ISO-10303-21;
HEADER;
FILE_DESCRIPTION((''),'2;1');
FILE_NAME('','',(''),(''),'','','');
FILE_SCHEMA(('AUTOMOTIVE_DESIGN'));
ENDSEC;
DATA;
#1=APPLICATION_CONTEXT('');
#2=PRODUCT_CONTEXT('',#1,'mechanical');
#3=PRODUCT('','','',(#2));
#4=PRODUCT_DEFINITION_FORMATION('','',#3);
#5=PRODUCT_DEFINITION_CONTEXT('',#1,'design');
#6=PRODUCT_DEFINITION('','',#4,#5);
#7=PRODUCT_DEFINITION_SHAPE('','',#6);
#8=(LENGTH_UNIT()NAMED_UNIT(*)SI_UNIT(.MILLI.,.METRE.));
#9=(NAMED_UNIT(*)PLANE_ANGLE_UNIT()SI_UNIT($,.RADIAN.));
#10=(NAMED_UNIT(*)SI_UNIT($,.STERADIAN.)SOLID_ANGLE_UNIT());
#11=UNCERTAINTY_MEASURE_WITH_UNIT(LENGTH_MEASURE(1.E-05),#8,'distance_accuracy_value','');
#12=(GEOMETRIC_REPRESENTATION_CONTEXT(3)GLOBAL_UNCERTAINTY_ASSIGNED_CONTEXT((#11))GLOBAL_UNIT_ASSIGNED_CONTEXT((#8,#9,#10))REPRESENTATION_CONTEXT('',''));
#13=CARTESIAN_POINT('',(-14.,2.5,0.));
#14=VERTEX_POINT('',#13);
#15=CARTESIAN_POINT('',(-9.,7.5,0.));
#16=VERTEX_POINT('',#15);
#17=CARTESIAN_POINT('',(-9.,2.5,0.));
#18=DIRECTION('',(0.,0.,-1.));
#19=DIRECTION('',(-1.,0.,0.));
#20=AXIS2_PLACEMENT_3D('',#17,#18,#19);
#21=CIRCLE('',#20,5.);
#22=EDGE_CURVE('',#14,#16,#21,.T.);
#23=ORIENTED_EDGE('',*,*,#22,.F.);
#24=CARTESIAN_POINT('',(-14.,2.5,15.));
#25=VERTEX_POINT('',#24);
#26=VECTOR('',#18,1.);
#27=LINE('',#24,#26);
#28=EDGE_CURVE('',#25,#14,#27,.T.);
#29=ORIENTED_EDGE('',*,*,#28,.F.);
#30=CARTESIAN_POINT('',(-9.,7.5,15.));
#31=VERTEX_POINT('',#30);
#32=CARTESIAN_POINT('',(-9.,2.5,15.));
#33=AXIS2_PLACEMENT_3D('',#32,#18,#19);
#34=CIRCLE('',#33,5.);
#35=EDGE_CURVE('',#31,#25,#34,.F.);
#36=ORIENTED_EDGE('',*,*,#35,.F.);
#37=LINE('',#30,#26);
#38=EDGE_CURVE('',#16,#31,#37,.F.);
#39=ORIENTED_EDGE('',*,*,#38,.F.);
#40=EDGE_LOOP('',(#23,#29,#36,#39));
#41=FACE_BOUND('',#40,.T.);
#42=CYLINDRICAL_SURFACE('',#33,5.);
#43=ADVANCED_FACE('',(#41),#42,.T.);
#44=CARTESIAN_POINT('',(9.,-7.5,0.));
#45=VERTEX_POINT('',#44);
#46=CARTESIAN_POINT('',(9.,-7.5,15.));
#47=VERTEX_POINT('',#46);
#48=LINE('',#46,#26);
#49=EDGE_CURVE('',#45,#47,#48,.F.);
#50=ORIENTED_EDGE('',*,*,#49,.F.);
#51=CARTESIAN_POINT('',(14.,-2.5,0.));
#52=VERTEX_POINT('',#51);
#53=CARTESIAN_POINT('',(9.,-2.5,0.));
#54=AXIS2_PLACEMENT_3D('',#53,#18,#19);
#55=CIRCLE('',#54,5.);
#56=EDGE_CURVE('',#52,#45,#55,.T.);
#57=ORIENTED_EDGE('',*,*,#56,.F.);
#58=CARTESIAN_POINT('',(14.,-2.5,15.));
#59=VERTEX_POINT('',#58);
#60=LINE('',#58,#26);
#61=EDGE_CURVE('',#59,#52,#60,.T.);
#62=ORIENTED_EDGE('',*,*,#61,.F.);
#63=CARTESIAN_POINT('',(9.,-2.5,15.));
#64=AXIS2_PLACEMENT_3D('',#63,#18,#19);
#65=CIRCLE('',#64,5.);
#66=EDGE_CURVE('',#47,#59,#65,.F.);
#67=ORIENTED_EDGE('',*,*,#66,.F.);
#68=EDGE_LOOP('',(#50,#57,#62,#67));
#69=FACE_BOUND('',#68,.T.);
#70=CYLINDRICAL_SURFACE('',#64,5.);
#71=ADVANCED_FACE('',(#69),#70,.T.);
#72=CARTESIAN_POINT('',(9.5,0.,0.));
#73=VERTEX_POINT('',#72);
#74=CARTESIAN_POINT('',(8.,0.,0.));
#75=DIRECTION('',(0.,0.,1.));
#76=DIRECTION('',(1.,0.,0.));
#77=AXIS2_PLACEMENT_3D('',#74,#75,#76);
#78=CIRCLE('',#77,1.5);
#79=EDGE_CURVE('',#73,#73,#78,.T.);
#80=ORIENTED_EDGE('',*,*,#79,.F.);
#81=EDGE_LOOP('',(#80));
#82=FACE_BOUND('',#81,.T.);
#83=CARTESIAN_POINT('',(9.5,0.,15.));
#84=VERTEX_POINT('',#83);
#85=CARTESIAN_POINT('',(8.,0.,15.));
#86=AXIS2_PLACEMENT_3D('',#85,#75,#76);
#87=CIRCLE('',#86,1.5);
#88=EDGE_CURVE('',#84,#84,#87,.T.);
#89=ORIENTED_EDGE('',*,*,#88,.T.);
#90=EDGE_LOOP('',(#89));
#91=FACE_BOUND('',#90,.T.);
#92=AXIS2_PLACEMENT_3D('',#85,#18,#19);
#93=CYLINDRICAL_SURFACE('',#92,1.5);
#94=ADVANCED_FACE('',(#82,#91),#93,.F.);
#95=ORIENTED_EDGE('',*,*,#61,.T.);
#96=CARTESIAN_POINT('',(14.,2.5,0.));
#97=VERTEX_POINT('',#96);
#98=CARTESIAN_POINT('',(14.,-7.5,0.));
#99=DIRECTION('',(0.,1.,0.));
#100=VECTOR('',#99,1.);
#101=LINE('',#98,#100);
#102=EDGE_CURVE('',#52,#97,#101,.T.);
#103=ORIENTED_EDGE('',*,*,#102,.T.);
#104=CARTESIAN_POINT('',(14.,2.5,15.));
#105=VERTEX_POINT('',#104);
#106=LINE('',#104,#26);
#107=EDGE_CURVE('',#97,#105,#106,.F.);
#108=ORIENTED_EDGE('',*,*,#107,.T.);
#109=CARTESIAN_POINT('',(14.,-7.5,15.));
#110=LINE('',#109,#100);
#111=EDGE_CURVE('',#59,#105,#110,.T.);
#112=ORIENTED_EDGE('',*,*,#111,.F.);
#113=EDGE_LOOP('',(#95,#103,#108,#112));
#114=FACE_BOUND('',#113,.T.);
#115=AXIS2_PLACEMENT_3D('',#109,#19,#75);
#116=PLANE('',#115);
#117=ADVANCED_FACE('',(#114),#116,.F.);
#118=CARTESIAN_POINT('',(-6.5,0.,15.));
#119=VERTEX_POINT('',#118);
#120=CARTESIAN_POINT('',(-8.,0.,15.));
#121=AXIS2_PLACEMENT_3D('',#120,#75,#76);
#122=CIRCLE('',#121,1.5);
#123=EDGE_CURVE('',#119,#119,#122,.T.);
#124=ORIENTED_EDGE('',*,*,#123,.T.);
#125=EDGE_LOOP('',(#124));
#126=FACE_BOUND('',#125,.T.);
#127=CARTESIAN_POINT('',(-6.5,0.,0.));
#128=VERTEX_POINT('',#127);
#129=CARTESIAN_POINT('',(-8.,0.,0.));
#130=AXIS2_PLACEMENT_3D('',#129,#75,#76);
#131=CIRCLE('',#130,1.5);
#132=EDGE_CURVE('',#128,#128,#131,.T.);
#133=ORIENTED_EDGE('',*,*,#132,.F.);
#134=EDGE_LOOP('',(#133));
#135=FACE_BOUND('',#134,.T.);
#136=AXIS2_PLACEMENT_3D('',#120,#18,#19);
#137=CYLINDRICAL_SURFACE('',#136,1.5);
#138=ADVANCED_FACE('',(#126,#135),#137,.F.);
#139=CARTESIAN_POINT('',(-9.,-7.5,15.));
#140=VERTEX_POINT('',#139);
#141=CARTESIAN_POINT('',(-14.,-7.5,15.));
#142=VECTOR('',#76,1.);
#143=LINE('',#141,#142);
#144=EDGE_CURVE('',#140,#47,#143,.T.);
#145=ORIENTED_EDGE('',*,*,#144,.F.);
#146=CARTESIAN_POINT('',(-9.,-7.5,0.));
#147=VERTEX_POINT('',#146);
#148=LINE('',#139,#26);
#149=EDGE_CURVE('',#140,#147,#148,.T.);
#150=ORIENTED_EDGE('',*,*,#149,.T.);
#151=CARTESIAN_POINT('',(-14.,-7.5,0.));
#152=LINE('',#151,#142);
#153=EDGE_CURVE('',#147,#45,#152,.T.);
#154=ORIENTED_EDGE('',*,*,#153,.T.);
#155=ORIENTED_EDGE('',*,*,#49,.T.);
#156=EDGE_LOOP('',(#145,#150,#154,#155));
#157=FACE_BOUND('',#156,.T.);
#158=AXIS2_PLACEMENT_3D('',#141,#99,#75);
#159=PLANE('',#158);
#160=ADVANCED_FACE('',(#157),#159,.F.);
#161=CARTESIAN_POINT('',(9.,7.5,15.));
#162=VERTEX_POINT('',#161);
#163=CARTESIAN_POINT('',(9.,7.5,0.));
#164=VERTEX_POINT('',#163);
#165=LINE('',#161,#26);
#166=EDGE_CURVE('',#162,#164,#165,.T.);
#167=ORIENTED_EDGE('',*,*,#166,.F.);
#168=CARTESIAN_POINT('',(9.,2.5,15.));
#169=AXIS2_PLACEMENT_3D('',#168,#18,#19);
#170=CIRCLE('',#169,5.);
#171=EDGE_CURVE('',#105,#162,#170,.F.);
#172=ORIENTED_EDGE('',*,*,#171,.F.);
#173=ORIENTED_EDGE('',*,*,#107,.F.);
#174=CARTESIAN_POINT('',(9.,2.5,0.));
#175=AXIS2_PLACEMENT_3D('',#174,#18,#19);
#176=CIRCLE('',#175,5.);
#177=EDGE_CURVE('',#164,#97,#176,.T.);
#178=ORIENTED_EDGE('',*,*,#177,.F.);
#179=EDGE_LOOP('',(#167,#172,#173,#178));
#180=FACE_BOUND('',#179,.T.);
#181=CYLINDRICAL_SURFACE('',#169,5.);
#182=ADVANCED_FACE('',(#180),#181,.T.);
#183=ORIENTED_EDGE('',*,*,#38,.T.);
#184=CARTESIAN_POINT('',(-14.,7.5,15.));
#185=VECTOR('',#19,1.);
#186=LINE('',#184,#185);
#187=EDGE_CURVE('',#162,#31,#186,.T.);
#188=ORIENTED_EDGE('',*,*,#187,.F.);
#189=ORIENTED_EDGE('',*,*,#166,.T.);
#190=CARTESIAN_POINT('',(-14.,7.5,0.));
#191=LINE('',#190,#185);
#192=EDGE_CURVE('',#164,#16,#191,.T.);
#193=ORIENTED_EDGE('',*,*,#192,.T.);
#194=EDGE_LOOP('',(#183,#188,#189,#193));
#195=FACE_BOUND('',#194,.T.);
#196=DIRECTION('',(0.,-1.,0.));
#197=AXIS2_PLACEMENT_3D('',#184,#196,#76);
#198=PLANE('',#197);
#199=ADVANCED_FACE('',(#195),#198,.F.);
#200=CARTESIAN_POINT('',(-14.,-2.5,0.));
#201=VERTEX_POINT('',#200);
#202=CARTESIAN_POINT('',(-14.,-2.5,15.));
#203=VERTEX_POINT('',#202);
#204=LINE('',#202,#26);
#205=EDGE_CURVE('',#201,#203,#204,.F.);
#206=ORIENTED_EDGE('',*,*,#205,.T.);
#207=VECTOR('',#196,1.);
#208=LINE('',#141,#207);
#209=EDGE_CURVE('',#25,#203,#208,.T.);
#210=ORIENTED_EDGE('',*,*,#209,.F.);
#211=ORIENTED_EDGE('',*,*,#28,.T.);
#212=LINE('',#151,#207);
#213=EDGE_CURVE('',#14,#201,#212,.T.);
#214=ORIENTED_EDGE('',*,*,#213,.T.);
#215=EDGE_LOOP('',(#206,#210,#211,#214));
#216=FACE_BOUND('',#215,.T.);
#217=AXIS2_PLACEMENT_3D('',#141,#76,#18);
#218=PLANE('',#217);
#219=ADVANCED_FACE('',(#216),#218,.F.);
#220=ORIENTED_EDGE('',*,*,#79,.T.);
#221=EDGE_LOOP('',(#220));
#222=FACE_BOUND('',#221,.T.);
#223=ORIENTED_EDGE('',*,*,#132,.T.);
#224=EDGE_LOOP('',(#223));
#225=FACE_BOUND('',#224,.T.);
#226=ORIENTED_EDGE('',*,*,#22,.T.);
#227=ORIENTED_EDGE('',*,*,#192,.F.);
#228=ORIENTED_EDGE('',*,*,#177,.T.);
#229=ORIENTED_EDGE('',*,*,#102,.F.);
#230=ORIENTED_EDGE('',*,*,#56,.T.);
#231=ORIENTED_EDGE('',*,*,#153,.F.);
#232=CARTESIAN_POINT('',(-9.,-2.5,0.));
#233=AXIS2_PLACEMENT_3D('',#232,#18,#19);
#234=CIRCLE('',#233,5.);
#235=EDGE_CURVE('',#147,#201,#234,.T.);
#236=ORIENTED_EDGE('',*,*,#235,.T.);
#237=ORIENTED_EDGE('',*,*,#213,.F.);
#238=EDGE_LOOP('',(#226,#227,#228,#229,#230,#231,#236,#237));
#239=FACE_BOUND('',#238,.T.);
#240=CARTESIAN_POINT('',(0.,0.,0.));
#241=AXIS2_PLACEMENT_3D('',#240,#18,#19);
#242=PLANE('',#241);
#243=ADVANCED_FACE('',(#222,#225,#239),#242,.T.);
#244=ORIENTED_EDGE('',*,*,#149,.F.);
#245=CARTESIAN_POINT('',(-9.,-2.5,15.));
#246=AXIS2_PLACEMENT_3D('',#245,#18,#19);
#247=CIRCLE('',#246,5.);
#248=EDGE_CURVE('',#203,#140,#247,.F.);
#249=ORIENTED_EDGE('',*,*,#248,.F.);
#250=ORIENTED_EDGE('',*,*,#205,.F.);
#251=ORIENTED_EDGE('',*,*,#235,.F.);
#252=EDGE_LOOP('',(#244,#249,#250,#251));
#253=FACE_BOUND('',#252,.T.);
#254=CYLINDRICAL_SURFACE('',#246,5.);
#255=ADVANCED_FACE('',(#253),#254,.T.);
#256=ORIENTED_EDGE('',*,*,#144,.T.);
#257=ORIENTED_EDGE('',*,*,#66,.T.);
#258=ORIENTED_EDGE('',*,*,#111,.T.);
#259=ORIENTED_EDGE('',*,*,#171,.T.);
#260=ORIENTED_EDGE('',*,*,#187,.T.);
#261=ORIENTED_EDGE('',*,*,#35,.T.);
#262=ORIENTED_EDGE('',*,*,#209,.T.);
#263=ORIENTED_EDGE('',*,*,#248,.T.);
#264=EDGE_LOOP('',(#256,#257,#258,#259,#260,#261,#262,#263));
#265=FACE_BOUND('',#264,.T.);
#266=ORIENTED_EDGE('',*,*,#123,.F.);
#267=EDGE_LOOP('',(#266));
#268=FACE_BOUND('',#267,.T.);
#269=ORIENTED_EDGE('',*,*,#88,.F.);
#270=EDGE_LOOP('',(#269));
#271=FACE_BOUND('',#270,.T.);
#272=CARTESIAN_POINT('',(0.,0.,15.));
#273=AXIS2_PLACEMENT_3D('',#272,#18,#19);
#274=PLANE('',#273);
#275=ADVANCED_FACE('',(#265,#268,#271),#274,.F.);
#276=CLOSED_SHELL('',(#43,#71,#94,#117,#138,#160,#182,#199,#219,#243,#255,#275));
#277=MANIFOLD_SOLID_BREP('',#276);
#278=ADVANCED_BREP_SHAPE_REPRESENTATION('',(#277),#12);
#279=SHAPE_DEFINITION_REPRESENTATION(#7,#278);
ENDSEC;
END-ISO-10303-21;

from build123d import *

# Parameters (mm, degrees)
ESBO_O1_W                = 28
ESBO_O1_H                = 15
ESBO_O1_R                = 1.5
RESSALTO_EXTRUS_O1_DEPTH = 15
FILETE1_R                = 5


with BuildPart() as part:
    # Esboço1 → Ressalto-extrusão1 (new body)
    with BuildSketch(Plane.XY):
        Rectangle(ESBO_O1_W, ESBO_O1_H)
        with Locations((-8, 0)):
            Circle(ESBO_O1_R, mode=Mode.SUBTRACT)
        with Locations((8, 0)):
            Circle(ESBO_O1_R, mode=Mode.SUBTRACT)
    extrude(amount=RESSALTO_EXTRUS_O1_DEPTH)

    # Filete1
    filete1_edges = [part.edges().sort_by_distance(p)[0] for p in [
        (14, -7.5, 7.5),
        (-14, -7.5, 7.5),
        (-14, 7.5, 7.5),
        (14, 7.5, 7.5),
    ]]
    fillet(filete1_edges, radius=FILETE1_R)


solid = part.part
